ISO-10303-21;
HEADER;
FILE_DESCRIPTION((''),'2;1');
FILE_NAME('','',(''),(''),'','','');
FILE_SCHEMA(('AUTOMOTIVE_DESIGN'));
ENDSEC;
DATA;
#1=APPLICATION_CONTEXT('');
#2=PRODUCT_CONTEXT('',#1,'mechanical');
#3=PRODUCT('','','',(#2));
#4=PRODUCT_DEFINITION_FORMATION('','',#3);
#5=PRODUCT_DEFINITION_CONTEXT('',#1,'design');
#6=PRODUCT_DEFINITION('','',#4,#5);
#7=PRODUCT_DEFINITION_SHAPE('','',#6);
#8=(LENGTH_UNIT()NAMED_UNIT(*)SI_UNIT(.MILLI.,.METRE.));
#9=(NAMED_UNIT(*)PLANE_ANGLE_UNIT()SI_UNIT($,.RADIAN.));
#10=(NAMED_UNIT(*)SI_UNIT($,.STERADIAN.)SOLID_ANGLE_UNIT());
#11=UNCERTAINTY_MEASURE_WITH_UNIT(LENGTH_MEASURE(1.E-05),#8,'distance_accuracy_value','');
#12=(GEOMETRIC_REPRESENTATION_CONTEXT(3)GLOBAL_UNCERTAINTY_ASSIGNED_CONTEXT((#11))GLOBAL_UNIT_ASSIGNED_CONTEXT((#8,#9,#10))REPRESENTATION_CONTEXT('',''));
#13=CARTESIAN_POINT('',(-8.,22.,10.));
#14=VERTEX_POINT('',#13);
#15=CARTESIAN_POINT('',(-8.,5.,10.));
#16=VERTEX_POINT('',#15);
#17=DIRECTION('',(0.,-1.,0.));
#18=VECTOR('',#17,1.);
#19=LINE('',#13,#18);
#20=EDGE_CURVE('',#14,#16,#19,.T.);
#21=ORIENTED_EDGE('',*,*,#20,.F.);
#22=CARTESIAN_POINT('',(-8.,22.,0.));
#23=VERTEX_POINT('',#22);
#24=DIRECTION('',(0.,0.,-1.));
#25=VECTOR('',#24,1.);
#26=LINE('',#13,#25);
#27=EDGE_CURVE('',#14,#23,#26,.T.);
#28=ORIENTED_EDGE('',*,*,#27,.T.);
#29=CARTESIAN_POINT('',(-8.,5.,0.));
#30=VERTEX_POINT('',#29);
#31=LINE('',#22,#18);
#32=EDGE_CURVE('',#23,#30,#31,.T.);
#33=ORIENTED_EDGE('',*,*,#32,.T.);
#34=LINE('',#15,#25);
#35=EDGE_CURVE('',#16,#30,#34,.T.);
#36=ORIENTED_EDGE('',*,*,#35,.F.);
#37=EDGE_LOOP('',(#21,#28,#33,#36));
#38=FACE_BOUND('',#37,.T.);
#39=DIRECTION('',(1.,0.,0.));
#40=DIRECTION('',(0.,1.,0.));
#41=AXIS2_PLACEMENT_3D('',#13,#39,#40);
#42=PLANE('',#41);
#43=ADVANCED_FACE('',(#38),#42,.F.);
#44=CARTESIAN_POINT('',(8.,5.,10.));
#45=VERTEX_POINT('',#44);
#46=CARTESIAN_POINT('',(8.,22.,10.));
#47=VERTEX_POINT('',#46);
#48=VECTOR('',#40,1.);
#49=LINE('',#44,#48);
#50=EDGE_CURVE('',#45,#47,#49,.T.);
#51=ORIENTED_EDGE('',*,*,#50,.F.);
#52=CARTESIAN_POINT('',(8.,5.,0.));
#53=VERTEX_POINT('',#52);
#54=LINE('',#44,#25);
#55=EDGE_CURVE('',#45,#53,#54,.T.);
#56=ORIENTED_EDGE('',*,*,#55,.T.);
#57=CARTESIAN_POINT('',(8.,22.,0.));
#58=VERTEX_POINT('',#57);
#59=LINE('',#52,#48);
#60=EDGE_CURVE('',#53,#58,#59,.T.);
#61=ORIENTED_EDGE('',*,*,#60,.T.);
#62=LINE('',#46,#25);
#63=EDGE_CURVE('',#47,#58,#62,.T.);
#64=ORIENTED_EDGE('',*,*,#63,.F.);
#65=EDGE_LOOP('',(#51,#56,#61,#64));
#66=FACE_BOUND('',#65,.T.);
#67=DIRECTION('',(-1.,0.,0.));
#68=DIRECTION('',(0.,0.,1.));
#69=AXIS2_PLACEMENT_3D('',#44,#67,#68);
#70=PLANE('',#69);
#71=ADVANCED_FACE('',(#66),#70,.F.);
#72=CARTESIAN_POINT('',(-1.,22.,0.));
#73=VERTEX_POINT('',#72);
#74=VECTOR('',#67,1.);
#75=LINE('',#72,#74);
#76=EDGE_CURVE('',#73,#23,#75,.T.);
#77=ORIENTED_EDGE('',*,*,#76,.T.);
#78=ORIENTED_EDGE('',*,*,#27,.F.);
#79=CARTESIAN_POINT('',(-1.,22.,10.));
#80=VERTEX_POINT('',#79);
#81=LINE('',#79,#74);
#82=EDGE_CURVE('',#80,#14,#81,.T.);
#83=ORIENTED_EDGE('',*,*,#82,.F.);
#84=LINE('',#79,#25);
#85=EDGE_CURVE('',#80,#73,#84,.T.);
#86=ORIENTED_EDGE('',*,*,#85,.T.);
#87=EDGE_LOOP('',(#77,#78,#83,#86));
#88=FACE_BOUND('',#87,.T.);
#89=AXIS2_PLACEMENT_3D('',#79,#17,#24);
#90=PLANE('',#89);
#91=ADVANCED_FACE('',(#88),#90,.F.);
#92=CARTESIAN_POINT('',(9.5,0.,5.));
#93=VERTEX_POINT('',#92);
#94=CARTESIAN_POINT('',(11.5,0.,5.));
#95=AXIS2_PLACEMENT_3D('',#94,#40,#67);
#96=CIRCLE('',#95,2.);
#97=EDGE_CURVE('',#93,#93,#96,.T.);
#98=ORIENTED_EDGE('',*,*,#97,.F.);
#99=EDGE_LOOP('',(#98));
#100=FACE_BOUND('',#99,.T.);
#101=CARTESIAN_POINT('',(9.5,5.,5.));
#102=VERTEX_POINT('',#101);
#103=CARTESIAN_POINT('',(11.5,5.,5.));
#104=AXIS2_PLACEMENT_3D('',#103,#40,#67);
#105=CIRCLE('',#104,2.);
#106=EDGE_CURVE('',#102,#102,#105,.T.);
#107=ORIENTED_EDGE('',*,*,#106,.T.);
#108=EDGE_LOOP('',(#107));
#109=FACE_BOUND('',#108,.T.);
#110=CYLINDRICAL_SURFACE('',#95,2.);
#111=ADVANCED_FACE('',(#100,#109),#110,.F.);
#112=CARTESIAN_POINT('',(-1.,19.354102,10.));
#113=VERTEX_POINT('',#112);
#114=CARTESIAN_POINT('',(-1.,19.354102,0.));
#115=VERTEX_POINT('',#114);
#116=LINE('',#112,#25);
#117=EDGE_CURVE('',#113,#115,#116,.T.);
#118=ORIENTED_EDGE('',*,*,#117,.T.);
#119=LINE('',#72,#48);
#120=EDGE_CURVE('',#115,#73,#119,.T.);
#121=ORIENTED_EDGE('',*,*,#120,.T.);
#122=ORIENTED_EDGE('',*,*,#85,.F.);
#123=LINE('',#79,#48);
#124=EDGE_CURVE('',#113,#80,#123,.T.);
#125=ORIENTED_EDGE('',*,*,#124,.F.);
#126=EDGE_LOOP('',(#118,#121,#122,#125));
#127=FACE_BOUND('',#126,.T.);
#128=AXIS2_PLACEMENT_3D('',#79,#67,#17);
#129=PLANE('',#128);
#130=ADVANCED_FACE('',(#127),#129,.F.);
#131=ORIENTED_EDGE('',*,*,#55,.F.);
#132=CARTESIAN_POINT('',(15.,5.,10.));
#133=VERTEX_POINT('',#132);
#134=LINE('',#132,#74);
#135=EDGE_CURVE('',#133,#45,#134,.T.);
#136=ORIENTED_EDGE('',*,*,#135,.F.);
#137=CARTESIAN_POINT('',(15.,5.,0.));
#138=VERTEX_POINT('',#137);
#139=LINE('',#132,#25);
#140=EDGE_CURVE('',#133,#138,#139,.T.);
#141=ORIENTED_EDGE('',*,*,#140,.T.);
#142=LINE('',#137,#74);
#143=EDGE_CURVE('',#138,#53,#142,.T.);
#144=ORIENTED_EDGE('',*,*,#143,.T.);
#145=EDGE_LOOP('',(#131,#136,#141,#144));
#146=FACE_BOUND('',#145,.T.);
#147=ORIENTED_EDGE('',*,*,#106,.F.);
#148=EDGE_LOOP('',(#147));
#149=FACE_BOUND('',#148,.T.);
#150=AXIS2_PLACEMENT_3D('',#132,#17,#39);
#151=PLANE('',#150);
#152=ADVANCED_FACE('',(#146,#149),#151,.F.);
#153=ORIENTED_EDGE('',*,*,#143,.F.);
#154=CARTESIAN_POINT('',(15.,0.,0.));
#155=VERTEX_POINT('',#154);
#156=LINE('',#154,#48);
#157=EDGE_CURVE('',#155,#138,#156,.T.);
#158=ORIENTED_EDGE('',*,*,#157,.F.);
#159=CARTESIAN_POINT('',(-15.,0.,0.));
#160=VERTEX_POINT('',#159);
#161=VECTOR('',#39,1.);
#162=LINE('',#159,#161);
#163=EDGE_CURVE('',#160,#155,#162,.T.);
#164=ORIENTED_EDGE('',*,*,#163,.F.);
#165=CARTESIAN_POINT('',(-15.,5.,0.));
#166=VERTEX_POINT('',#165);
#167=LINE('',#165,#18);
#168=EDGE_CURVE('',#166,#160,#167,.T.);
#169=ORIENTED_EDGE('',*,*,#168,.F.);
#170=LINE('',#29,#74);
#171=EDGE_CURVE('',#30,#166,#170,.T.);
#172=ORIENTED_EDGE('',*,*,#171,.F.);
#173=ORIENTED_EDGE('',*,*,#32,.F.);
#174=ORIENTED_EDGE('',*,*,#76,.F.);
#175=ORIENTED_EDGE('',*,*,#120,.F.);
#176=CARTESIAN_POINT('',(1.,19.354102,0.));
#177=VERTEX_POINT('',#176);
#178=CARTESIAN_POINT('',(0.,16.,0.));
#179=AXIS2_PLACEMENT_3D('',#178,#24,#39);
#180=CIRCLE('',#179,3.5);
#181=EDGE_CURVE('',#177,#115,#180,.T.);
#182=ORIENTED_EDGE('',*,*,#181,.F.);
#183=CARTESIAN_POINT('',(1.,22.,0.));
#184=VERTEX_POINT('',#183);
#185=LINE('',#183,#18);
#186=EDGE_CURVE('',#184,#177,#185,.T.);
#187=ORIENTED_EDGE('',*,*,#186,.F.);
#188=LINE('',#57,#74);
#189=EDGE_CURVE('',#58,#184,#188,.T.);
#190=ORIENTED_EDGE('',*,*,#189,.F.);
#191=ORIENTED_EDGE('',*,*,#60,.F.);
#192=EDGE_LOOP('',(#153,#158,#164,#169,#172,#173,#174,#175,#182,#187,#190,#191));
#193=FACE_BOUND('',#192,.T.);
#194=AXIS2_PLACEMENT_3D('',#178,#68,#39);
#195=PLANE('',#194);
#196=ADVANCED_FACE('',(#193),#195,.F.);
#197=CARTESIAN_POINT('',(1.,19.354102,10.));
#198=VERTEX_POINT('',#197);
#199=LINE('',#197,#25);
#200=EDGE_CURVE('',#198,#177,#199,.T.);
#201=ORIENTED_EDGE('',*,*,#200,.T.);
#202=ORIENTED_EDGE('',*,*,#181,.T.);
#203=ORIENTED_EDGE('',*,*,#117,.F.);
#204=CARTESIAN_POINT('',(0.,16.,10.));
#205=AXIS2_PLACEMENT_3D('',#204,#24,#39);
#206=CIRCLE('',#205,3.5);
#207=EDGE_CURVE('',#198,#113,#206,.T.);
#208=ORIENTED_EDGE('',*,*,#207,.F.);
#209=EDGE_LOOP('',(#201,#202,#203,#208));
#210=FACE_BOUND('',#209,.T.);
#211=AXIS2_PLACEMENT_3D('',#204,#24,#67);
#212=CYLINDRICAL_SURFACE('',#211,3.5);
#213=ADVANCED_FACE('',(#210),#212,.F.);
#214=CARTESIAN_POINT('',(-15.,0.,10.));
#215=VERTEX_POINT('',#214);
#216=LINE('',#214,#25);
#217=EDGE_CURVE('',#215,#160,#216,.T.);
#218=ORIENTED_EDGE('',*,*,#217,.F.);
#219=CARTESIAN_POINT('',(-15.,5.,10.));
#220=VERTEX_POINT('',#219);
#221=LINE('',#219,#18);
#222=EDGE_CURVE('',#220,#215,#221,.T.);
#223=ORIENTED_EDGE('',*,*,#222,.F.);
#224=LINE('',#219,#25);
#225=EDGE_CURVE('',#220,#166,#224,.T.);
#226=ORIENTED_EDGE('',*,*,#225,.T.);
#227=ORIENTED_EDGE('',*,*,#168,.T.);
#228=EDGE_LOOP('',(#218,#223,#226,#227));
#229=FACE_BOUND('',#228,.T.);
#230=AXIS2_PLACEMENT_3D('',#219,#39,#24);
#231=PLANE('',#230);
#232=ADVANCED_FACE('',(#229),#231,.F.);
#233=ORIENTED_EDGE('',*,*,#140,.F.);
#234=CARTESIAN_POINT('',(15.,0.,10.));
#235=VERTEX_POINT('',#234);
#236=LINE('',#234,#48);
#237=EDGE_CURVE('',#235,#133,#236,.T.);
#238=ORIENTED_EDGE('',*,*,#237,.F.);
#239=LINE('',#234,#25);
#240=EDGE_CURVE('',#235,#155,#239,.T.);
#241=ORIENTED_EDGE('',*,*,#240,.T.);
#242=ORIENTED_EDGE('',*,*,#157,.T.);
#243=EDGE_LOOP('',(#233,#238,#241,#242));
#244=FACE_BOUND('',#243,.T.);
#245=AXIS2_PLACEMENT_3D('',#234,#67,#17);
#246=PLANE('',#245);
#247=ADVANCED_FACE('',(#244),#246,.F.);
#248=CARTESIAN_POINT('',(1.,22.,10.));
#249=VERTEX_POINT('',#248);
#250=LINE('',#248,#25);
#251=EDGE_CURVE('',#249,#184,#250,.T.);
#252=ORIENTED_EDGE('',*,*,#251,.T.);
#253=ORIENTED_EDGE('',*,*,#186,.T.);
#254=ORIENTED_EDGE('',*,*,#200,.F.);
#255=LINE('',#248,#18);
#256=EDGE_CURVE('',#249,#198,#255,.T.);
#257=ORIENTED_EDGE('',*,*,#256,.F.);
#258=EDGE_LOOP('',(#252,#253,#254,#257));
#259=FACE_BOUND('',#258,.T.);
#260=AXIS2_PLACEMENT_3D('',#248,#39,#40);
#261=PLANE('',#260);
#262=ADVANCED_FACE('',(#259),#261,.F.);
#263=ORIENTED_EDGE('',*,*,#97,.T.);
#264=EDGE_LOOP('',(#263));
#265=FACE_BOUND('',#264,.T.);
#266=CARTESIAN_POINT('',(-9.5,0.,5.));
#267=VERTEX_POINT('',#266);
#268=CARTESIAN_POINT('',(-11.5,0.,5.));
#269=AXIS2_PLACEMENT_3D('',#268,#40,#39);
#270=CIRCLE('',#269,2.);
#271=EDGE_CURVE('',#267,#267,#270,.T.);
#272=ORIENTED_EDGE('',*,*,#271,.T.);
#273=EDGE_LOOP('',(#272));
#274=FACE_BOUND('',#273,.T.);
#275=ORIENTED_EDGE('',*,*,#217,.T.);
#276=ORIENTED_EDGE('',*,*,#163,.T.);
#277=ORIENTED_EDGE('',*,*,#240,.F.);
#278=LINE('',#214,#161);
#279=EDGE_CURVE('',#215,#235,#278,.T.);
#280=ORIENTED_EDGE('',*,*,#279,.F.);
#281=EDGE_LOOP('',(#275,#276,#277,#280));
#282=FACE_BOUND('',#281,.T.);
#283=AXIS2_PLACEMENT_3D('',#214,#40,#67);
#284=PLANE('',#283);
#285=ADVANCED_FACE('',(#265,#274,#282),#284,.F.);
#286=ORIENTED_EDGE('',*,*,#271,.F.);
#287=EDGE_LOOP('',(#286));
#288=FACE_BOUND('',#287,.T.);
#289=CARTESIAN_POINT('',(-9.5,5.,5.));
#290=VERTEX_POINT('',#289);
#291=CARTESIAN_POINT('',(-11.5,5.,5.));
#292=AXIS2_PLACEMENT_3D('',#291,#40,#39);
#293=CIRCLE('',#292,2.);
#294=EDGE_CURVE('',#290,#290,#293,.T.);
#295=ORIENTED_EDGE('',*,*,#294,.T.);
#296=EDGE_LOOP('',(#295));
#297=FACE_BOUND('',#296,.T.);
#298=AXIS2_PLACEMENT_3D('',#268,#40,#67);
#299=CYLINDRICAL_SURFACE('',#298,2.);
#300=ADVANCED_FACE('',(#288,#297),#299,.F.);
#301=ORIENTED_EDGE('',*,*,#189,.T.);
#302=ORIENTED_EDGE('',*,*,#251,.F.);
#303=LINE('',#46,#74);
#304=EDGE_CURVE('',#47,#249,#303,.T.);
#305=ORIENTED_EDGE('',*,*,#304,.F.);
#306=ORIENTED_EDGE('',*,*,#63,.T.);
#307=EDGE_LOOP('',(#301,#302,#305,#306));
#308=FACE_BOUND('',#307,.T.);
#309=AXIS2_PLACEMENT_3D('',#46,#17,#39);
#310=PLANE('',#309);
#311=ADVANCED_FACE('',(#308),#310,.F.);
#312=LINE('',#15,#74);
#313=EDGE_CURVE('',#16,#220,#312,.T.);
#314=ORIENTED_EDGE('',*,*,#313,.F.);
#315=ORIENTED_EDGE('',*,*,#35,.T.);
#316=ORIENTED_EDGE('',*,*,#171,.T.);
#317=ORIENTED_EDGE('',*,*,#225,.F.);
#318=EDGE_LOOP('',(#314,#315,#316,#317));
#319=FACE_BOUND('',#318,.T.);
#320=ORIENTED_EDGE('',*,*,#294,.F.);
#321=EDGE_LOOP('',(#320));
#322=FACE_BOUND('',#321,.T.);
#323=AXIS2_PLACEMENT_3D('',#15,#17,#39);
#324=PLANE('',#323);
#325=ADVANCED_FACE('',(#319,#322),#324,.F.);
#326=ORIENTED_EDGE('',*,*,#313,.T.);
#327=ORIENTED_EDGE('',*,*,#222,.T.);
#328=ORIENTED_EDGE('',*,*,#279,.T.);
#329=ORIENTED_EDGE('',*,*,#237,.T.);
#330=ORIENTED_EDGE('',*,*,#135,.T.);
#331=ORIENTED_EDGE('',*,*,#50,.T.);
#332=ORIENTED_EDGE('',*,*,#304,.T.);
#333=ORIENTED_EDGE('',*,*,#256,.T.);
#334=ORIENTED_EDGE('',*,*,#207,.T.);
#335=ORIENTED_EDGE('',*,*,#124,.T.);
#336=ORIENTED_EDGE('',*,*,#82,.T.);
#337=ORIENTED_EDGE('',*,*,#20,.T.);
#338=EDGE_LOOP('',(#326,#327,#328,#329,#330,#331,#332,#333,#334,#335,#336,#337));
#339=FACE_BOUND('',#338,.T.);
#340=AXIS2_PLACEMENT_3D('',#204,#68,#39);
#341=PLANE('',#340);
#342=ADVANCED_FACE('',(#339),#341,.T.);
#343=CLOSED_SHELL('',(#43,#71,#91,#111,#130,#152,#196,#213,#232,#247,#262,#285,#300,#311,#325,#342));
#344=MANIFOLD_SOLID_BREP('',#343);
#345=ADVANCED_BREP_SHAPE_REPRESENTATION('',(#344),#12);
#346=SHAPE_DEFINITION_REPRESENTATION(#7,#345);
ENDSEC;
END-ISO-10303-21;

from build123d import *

# Parameters (mm, degrees)
BOSS_EXTRU_1_DEPTH      = 10
ESQUISSE4_R             = 2
ENL_V_MAT_EXTRU_1_DEPTH = 25.779023387


with BuildPart() as part:
    # Esquisse3 → Boss.-Extru.1 (new body)
    with BuildSketch(Plane.XY):
        with BuildLine():
            Line((-15, 0), (15, 0))
            Line((15, 0), (15, 5))
            Line((15, 5), (8, 5))
            Line((8, 5), (8, 22))
            Line((8, 22), (1, 22))
            Line((1, 22), (1, 19.354101966))
            ThreePointArc((1, 19.354101966), (0, 12.5), (-1, 19.354101966))
            Line((-1, 19.354101966), (-1, 22))
            Line((-1, 22), (-8, 22))
            Line((-8, 22), (-8, 5))
            Line((-8, 5), (-15, 5))
            Line((-15, 5), (-15, 0))
        make_face()
    extrude(amount=BOSS_EXTRU_1_DEPTH)

    # Esquisse4 → Enlèv. mat.-Extru.1 (cut, through all)
    with BuildSketch(Plane(origin=(0, 5, 0), x_dir=(1, 0, 0), z_dir=(0, 1, 0))):
        with Locations(Location((11.5, -5, 0), (0, 0, 180))):
            Circle(ESQUISSE4_R)
        with Locations((-11.5, -5)):
            Circle(ESQUISSE4_R)
    extrude(amount=-ENL_V_MAT_EXTRU_1_DEPTH, mode=Mode.SUBTRACT)


solid = part.part
